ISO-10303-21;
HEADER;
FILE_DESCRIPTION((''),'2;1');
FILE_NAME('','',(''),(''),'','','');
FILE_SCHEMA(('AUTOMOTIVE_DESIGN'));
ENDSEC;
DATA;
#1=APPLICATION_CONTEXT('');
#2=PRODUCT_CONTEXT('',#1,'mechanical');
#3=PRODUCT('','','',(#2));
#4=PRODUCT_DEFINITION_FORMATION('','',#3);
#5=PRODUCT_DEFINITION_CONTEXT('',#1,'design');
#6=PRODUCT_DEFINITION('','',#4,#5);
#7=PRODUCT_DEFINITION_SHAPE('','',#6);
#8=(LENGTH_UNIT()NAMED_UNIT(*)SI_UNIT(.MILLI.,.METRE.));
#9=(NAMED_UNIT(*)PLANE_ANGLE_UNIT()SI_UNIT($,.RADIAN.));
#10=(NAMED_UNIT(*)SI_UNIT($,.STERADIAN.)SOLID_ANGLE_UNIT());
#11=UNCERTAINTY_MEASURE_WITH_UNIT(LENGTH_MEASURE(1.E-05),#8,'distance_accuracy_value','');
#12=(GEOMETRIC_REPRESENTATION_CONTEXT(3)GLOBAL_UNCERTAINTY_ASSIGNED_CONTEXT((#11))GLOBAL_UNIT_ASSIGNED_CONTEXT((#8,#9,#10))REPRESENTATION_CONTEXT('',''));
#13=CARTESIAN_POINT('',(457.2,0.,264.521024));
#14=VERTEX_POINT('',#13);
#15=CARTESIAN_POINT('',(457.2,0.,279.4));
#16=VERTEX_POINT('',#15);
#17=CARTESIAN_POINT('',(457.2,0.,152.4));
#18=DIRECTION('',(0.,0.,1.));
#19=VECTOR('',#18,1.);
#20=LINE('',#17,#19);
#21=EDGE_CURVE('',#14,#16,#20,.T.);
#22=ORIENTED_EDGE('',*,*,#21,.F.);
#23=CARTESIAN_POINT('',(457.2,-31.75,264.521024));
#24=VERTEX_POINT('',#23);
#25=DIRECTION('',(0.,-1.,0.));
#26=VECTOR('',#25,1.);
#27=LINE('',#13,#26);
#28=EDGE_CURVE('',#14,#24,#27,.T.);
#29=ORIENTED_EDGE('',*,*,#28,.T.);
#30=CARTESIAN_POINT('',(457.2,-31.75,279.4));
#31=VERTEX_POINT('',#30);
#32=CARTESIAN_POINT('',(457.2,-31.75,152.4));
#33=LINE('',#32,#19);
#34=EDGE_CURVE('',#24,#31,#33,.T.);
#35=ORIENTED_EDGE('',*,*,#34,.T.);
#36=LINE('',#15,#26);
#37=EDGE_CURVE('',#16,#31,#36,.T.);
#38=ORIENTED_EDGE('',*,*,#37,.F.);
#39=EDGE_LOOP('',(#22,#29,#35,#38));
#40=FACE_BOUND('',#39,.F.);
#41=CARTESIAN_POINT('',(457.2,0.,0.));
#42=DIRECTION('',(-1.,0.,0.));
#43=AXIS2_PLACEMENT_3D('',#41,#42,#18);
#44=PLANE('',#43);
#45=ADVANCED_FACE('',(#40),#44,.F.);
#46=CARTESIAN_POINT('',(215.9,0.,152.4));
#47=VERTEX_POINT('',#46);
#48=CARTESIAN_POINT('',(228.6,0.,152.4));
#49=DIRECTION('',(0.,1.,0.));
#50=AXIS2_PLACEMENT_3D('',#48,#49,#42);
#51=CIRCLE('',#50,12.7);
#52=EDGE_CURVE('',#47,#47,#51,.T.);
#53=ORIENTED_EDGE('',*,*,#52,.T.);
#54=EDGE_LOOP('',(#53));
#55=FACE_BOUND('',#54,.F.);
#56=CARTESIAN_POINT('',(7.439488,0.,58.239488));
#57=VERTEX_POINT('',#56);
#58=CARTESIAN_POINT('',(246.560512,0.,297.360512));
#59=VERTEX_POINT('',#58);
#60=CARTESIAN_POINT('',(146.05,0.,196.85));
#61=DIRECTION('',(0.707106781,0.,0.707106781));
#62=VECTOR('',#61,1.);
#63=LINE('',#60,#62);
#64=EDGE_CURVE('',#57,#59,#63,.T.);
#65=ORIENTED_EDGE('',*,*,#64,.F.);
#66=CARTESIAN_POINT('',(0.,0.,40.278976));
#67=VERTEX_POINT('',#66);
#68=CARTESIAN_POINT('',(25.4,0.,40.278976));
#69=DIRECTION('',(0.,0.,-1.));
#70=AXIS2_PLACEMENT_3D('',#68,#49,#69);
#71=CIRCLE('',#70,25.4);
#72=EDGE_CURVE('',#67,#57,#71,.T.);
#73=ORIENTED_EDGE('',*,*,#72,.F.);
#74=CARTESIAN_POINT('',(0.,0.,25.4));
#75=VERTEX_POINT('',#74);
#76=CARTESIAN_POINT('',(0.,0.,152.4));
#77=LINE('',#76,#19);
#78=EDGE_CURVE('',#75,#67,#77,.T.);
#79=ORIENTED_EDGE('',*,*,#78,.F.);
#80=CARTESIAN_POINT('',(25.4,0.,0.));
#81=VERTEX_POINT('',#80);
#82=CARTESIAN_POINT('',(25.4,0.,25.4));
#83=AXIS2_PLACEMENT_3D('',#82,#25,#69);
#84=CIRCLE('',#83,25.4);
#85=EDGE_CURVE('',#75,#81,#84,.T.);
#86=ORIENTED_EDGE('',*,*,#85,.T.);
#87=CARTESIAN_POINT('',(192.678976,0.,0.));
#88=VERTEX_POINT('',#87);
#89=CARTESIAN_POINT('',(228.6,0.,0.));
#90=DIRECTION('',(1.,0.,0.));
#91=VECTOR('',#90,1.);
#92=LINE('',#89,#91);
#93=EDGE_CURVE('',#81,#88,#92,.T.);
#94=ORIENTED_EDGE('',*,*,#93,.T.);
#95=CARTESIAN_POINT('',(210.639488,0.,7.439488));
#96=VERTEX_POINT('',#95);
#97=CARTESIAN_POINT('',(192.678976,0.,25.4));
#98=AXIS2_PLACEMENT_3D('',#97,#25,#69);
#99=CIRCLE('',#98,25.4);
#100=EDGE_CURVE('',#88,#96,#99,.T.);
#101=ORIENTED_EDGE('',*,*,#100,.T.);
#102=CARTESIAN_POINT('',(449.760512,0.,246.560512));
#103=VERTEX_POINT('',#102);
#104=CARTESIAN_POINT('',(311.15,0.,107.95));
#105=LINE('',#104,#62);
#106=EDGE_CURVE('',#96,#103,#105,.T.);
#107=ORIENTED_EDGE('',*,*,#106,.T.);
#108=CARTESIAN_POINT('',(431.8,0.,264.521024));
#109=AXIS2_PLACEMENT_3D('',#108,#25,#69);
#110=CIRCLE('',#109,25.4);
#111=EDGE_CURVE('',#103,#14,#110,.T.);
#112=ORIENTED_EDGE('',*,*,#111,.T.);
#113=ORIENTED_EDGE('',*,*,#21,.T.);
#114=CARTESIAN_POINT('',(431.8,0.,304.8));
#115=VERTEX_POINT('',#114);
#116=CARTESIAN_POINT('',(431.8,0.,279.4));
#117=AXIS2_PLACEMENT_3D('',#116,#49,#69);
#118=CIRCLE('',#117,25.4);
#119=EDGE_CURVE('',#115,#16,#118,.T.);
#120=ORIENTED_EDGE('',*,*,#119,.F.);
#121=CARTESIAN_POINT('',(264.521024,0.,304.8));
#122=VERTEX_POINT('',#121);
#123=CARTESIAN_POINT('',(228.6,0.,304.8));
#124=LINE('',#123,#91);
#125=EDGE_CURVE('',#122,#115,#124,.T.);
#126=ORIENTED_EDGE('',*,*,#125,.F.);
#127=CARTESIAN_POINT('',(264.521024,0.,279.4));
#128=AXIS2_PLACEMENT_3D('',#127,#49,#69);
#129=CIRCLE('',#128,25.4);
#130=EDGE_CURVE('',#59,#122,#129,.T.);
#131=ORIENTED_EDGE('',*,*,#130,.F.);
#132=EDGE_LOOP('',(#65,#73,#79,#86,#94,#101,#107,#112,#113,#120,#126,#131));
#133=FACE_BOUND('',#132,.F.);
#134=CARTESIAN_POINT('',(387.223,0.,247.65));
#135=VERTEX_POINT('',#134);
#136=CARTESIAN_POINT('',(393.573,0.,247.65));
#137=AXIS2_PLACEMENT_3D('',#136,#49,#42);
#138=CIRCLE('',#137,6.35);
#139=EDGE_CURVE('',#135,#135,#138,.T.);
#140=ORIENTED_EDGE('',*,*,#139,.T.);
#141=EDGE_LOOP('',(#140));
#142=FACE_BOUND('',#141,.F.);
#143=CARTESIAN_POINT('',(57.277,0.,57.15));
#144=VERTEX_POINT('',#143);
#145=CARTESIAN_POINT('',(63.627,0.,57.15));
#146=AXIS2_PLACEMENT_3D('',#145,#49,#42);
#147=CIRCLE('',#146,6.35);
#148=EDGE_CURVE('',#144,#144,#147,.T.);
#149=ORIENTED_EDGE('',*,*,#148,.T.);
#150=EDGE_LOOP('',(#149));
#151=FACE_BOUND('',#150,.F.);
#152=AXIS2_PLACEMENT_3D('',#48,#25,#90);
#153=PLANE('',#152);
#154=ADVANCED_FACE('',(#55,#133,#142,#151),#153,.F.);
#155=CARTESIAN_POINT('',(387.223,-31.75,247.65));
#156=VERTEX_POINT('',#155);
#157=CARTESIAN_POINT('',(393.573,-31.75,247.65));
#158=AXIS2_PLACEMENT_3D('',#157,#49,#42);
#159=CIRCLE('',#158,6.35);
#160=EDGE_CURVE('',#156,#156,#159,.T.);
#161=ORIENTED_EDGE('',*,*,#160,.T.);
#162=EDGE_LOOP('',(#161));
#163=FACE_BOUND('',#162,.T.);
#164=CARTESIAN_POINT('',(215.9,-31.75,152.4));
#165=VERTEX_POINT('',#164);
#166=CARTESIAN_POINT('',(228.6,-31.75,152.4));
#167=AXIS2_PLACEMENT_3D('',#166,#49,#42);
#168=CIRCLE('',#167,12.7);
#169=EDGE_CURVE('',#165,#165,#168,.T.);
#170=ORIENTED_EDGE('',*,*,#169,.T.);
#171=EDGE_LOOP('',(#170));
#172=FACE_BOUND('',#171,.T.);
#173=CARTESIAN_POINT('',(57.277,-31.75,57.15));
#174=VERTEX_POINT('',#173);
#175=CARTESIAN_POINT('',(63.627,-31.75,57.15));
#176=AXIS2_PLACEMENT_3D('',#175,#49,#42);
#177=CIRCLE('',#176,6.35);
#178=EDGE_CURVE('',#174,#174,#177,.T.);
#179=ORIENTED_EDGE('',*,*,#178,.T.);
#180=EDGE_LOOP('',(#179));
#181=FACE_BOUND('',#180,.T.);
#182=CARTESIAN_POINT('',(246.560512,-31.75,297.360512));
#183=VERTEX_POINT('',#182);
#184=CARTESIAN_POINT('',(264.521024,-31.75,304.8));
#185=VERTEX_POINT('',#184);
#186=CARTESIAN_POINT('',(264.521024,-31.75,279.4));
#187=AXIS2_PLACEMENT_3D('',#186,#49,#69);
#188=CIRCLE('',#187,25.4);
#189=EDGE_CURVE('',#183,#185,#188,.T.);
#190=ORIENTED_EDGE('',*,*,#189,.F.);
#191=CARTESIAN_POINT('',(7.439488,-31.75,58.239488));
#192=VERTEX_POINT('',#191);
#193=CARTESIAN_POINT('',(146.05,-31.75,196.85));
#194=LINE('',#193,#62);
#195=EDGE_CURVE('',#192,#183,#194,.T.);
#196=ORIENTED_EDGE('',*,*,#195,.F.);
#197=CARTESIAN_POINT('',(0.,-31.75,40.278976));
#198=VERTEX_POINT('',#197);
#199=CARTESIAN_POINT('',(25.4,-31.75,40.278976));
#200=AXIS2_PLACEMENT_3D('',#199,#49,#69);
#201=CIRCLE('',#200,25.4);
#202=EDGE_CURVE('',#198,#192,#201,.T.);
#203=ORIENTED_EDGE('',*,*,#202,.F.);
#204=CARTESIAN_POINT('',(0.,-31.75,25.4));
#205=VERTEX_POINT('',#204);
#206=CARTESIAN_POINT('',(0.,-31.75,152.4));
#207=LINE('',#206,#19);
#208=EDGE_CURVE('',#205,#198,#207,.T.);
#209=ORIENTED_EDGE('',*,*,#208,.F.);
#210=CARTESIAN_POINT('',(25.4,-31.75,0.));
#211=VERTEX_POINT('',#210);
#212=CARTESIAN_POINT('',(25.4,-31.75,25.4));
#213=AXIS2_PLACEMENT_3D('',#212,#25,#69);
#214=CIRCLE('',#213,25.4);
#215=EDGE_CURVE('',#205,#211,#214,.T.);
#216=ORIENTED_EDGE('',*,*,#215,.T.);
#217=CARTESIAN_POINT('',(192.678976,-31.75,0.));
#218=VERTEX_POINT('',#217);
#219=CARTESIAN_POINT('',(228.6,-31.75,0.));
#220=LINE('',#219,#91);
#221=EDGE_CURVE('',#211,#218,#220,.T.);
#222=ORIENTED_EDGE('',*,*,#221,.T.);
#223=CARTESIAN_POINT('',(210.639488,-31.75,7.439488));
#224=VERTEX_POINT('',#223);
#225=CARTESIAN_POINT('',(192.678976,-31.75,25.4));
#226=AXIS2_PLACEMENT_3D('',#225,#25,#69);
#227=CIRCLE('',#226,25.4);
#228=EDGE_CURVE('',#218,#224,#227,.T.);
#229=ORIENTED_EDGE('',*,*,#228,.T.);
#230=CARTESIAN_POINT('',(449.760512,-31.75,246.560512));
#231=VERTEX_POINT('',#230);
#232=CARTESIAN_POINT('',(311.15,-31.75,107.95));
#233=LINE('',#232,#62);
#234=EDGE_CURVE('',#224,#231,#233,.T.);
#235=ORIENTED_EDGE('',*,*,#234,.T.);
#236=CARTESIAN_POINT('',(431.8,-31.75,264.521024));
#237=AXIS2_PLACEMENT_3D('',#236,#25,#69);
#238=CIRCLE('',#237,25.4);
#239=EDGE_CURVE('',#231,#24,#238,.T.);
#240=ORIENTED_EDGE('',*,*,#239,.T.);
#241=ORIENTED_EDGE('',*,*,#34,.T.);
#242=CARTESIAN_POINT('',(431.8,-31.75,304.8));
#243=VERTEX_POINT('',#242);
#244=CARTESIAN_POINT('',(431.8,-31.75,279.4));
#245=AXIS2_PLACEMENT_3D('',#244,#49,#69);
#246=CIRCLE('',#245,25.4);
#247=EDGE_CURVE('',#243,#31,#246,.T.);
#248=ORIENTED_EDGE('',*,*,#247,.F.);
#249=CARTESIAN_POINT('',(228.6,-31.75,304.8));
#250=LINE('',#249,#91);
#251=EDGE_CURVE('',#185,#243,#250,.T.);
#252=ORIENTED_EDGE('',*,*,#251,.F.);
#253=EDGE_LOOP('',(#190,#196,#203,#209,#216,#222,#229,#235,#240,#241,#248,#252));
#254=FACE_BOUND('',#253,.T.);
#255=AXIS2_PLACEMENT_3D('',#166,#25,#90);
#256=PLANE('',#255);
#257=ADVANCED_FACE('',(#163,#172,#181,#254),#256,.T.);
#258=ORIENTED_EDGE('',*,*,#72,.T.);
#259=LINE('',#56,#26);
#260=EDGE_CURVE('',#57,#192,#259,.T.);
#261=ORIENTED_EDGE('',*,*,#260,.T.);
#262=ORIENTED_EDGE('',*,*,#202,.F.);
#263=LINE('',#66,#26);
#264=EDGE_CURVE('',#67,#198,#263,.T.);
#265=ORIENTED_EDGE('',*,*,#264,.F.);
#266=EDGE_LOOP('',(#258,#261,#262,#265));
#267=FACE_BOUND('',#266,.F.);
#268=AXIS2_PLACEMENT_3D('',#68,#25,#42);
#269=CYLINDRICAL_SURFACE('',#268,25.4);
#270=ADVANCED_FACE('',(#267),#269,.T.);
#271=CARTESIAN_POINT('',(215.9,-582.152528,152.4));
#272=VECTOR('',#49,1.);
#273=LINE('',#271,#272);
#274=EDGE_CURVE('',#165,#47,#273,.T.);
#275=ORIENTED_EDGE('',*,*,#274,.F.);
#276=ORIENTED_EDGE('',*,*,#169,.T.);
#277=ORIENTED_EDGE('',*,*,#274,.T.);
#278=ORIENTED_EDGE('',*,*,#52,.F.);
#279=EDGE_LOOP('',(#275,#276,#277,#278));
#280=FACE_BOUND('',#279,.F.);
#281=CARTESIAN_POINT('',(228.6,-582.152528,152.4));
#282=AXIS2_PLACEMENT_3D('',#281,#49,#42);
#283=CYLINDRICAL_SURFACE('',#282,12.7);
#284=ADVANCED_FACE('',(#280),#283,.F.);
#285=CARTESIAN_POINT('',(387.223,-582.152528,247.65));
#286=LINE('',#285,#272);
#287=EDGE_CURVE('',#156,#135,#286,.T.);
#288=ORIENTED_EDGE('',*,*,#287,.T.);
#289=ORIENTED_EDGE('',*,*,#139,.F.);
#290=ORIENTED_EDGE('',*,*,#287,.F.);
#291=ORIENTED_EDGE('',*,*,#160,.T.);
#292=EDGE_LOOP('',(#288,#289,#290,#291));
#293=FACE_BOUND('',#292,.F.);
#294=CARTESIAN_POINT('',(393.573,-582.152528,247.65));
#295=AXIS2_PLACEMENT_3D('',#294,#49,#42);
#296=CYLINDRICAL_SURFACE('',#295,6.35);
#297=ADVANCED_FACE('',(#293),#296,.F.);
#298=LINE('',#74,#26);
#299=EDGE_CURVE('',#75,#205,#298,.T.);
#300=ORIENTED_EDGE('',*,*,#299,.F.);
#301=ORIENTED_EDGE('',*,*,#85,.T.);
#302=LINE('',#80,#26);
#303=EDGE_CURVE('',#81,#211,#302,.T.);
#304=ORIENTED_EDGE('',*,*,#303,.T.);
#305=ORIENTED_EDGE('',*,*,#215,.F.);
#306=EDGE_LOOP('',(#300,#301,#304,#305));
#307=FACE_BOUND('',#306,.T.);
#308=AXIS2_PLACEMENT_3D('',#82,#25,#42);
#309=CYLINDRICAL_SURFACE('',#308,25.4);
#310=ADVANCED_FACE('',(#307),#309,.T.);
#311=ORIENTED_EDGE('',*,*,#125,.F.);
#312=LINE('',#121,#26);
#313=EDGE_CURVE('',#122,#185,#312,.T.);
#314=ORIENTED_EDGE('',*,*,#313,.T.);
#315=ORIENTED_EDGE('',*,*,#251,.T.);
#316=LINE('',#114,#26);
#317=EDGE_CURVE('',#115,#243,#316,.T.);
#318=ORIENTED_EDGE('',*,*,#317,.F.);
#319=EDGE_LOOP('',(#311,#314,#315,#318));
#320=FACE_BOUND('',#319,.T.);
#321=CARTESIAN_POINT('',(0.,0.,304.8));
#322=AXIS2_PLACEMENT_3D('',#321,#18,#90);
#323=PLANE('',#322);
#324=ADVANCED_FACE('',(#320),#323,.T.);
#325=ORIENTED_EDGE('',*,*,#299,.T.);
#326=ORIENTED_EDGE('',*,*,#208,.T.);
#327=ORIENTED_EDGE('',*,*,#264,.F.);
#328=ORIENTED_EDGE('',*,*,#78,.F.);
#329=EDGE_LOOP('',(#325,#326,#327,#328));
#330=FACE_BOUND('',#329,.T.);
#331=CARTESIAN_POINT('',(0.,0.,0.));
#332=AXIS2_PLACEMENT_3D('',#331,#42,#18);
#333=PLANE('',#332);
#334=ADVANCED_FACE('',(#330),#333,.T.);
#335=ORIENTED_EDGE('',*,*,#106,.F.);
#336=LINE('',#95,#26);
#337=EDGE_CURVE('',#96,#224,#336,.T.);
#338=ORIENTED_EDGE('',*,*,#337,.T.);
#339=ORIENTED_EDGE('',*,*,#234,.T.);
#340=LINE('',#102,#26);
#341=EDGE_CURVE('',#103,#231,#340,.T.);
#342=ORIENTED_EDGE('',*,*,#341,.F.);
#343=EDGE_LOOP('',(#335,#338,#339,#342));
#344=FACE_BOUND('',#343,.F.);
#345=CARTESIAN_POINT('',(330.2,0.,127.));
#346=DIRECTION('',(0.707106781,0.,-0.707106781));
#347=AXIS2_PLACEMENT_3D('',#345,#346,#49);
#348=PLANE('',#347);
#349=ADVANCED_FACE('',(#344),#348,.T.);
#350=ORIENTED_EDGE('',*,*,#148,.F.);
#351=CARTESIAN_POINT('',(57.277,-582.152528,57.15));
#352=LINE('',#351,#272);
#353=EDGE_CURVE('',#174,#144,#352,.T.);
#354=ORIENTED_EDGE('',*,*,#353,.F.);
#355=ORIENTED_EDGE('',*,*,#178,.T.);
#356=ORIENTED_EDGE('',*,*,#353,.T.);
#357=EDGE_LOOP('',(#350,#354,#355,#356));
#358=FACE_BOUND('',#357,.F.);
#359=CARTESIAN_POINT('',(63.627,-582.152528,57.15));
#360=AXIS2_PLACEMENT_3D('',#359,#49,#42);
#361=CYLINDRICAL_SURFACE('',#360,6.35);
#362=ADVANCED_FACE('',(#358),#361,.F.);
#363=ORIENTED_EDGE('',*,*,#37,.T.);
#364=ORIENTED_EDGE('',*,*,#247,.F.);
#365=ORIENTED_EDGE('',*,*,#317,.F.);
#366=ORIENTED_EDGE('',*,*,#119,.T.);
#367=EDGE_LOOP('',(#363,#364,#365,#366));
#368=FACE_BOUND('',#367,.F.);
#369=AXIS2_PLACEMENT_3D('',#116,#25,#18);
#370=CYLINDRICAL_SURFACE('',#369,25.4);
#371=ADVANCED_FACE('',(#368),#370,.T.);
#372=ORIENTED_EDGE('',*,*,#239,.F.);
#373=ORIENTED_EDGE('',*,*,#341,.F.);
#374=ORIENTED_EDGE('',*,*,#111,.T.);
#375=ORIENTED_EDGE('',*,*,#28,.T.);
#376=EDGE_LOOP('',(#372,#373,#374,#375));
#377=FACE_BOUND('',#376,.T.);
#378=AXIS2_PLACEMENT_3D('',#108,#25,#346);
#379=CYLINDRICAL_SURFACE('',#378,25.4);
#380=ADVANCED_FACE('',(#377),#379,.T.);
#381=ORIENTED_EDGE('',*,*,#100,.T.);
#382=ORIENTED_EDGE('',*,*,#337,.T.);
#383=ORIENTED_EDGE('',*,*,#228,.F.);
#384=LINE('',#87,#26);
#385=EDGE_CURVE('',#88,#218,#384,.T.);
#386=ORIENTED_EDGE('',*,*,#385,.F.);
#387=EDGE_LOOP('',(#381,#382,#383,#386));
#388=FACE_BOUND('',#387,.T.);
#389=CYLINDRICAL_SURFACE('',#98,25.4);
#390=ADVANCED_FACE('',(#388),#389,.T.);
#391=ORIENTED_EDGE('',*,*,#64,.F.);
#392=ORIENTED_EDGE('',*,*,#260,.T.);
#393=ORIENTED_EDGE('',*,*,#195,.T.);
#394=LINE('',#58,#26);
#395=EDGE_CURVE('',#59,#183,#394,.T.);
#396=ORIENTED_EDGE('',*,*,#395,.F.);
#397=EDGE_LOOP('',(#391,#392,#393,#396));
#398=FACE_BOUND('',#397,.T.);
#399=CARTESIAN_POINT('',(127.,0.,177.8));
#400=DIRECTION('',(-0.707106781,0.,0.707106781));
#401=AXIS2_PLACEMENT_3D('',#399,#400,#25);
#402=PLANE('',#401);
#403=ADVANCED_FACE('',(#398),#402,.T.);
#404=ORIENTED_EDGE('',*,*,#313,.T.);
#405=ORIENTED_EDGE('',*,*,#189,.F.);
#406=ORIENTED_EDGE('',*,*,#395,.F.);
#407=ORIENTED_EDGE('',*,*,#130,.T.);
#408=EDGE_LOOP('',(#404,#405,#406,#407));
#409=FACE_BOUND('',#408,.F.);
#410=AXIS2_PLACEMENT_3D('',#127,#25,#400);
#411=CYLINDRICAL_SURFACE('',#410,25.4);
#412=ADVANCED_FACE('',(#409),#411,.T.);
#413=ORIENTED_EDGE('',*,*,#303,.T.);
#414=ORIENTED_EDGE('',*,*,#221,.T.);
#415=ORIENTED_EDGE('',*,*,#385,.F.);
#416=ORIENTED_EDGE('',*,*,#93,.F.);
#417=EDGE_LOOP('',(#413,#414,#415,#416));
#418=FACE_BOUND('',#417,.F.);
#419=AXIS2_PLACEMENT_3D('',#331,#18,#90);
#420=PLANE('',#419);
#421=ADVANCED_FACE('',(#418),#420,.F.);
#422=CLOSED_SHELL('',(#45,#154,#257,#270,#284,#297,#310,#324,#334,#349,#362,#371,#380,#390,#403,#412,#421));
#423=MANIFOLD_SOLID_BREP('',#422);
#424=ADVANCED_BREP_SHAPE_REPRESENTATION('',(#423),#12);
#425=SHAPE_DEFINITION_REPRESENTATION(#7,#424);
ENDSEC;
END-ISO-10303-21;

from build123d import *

# Parameters (mm, degrees)
F0_W     = 457.2
F0_H     = 304.8
F1_DEPTH = 31.75
F2_SIZE2 = 254
F2_SIZE  = 254
F3_R     = 25.4
F5_D     = 12.7
F8_D     = 25.4


with BuildPart() as f1:
    # F0 (on Front) → F1 (new body)
    with BuildSketch(Plane.XZ):
        with Locations((228.6, 152.4)):
            Rectangle(F0_W, F0_H)
    extrude(amount=F1_DEPTH)

    # F2
    f2_edges = [f1.edges().sort_by_distance(p)[0] for p in [
        (0, -15.875, 304.8),
        (457.2, -15.875, 0),
    ]]
    chamfer(f2_edges, length=F2_SIZE, length2=F2_SIZE2)

    # F3
    f3_edges = [f1.edges().sort_by_distance(p)[0] for p in [
        (0, -15.875, 50.8),
        (0, -15.875, 0),
        (203.2, -15.875, 0),
        (457.2, -15.875, 254),
        (457.2, -15.875, 304.8),
        (254, -15.875, 304.8),
    ]]
    fillet(f3_edges, radius=F3_R)

    # F5 (through all)
    with Locations(Plane.XZ.offset(31.75)):
        with Locations((63.627, 57.15), (393.573, 247.65)):
            Hole(F5_D / 2)

    # F8 (through all)
    with Locations(Plane.XZ.offset(31.75)):
        with Locations((228.6, 152.4)):
            Hole(F8_D / 2)


solid = f1.part
